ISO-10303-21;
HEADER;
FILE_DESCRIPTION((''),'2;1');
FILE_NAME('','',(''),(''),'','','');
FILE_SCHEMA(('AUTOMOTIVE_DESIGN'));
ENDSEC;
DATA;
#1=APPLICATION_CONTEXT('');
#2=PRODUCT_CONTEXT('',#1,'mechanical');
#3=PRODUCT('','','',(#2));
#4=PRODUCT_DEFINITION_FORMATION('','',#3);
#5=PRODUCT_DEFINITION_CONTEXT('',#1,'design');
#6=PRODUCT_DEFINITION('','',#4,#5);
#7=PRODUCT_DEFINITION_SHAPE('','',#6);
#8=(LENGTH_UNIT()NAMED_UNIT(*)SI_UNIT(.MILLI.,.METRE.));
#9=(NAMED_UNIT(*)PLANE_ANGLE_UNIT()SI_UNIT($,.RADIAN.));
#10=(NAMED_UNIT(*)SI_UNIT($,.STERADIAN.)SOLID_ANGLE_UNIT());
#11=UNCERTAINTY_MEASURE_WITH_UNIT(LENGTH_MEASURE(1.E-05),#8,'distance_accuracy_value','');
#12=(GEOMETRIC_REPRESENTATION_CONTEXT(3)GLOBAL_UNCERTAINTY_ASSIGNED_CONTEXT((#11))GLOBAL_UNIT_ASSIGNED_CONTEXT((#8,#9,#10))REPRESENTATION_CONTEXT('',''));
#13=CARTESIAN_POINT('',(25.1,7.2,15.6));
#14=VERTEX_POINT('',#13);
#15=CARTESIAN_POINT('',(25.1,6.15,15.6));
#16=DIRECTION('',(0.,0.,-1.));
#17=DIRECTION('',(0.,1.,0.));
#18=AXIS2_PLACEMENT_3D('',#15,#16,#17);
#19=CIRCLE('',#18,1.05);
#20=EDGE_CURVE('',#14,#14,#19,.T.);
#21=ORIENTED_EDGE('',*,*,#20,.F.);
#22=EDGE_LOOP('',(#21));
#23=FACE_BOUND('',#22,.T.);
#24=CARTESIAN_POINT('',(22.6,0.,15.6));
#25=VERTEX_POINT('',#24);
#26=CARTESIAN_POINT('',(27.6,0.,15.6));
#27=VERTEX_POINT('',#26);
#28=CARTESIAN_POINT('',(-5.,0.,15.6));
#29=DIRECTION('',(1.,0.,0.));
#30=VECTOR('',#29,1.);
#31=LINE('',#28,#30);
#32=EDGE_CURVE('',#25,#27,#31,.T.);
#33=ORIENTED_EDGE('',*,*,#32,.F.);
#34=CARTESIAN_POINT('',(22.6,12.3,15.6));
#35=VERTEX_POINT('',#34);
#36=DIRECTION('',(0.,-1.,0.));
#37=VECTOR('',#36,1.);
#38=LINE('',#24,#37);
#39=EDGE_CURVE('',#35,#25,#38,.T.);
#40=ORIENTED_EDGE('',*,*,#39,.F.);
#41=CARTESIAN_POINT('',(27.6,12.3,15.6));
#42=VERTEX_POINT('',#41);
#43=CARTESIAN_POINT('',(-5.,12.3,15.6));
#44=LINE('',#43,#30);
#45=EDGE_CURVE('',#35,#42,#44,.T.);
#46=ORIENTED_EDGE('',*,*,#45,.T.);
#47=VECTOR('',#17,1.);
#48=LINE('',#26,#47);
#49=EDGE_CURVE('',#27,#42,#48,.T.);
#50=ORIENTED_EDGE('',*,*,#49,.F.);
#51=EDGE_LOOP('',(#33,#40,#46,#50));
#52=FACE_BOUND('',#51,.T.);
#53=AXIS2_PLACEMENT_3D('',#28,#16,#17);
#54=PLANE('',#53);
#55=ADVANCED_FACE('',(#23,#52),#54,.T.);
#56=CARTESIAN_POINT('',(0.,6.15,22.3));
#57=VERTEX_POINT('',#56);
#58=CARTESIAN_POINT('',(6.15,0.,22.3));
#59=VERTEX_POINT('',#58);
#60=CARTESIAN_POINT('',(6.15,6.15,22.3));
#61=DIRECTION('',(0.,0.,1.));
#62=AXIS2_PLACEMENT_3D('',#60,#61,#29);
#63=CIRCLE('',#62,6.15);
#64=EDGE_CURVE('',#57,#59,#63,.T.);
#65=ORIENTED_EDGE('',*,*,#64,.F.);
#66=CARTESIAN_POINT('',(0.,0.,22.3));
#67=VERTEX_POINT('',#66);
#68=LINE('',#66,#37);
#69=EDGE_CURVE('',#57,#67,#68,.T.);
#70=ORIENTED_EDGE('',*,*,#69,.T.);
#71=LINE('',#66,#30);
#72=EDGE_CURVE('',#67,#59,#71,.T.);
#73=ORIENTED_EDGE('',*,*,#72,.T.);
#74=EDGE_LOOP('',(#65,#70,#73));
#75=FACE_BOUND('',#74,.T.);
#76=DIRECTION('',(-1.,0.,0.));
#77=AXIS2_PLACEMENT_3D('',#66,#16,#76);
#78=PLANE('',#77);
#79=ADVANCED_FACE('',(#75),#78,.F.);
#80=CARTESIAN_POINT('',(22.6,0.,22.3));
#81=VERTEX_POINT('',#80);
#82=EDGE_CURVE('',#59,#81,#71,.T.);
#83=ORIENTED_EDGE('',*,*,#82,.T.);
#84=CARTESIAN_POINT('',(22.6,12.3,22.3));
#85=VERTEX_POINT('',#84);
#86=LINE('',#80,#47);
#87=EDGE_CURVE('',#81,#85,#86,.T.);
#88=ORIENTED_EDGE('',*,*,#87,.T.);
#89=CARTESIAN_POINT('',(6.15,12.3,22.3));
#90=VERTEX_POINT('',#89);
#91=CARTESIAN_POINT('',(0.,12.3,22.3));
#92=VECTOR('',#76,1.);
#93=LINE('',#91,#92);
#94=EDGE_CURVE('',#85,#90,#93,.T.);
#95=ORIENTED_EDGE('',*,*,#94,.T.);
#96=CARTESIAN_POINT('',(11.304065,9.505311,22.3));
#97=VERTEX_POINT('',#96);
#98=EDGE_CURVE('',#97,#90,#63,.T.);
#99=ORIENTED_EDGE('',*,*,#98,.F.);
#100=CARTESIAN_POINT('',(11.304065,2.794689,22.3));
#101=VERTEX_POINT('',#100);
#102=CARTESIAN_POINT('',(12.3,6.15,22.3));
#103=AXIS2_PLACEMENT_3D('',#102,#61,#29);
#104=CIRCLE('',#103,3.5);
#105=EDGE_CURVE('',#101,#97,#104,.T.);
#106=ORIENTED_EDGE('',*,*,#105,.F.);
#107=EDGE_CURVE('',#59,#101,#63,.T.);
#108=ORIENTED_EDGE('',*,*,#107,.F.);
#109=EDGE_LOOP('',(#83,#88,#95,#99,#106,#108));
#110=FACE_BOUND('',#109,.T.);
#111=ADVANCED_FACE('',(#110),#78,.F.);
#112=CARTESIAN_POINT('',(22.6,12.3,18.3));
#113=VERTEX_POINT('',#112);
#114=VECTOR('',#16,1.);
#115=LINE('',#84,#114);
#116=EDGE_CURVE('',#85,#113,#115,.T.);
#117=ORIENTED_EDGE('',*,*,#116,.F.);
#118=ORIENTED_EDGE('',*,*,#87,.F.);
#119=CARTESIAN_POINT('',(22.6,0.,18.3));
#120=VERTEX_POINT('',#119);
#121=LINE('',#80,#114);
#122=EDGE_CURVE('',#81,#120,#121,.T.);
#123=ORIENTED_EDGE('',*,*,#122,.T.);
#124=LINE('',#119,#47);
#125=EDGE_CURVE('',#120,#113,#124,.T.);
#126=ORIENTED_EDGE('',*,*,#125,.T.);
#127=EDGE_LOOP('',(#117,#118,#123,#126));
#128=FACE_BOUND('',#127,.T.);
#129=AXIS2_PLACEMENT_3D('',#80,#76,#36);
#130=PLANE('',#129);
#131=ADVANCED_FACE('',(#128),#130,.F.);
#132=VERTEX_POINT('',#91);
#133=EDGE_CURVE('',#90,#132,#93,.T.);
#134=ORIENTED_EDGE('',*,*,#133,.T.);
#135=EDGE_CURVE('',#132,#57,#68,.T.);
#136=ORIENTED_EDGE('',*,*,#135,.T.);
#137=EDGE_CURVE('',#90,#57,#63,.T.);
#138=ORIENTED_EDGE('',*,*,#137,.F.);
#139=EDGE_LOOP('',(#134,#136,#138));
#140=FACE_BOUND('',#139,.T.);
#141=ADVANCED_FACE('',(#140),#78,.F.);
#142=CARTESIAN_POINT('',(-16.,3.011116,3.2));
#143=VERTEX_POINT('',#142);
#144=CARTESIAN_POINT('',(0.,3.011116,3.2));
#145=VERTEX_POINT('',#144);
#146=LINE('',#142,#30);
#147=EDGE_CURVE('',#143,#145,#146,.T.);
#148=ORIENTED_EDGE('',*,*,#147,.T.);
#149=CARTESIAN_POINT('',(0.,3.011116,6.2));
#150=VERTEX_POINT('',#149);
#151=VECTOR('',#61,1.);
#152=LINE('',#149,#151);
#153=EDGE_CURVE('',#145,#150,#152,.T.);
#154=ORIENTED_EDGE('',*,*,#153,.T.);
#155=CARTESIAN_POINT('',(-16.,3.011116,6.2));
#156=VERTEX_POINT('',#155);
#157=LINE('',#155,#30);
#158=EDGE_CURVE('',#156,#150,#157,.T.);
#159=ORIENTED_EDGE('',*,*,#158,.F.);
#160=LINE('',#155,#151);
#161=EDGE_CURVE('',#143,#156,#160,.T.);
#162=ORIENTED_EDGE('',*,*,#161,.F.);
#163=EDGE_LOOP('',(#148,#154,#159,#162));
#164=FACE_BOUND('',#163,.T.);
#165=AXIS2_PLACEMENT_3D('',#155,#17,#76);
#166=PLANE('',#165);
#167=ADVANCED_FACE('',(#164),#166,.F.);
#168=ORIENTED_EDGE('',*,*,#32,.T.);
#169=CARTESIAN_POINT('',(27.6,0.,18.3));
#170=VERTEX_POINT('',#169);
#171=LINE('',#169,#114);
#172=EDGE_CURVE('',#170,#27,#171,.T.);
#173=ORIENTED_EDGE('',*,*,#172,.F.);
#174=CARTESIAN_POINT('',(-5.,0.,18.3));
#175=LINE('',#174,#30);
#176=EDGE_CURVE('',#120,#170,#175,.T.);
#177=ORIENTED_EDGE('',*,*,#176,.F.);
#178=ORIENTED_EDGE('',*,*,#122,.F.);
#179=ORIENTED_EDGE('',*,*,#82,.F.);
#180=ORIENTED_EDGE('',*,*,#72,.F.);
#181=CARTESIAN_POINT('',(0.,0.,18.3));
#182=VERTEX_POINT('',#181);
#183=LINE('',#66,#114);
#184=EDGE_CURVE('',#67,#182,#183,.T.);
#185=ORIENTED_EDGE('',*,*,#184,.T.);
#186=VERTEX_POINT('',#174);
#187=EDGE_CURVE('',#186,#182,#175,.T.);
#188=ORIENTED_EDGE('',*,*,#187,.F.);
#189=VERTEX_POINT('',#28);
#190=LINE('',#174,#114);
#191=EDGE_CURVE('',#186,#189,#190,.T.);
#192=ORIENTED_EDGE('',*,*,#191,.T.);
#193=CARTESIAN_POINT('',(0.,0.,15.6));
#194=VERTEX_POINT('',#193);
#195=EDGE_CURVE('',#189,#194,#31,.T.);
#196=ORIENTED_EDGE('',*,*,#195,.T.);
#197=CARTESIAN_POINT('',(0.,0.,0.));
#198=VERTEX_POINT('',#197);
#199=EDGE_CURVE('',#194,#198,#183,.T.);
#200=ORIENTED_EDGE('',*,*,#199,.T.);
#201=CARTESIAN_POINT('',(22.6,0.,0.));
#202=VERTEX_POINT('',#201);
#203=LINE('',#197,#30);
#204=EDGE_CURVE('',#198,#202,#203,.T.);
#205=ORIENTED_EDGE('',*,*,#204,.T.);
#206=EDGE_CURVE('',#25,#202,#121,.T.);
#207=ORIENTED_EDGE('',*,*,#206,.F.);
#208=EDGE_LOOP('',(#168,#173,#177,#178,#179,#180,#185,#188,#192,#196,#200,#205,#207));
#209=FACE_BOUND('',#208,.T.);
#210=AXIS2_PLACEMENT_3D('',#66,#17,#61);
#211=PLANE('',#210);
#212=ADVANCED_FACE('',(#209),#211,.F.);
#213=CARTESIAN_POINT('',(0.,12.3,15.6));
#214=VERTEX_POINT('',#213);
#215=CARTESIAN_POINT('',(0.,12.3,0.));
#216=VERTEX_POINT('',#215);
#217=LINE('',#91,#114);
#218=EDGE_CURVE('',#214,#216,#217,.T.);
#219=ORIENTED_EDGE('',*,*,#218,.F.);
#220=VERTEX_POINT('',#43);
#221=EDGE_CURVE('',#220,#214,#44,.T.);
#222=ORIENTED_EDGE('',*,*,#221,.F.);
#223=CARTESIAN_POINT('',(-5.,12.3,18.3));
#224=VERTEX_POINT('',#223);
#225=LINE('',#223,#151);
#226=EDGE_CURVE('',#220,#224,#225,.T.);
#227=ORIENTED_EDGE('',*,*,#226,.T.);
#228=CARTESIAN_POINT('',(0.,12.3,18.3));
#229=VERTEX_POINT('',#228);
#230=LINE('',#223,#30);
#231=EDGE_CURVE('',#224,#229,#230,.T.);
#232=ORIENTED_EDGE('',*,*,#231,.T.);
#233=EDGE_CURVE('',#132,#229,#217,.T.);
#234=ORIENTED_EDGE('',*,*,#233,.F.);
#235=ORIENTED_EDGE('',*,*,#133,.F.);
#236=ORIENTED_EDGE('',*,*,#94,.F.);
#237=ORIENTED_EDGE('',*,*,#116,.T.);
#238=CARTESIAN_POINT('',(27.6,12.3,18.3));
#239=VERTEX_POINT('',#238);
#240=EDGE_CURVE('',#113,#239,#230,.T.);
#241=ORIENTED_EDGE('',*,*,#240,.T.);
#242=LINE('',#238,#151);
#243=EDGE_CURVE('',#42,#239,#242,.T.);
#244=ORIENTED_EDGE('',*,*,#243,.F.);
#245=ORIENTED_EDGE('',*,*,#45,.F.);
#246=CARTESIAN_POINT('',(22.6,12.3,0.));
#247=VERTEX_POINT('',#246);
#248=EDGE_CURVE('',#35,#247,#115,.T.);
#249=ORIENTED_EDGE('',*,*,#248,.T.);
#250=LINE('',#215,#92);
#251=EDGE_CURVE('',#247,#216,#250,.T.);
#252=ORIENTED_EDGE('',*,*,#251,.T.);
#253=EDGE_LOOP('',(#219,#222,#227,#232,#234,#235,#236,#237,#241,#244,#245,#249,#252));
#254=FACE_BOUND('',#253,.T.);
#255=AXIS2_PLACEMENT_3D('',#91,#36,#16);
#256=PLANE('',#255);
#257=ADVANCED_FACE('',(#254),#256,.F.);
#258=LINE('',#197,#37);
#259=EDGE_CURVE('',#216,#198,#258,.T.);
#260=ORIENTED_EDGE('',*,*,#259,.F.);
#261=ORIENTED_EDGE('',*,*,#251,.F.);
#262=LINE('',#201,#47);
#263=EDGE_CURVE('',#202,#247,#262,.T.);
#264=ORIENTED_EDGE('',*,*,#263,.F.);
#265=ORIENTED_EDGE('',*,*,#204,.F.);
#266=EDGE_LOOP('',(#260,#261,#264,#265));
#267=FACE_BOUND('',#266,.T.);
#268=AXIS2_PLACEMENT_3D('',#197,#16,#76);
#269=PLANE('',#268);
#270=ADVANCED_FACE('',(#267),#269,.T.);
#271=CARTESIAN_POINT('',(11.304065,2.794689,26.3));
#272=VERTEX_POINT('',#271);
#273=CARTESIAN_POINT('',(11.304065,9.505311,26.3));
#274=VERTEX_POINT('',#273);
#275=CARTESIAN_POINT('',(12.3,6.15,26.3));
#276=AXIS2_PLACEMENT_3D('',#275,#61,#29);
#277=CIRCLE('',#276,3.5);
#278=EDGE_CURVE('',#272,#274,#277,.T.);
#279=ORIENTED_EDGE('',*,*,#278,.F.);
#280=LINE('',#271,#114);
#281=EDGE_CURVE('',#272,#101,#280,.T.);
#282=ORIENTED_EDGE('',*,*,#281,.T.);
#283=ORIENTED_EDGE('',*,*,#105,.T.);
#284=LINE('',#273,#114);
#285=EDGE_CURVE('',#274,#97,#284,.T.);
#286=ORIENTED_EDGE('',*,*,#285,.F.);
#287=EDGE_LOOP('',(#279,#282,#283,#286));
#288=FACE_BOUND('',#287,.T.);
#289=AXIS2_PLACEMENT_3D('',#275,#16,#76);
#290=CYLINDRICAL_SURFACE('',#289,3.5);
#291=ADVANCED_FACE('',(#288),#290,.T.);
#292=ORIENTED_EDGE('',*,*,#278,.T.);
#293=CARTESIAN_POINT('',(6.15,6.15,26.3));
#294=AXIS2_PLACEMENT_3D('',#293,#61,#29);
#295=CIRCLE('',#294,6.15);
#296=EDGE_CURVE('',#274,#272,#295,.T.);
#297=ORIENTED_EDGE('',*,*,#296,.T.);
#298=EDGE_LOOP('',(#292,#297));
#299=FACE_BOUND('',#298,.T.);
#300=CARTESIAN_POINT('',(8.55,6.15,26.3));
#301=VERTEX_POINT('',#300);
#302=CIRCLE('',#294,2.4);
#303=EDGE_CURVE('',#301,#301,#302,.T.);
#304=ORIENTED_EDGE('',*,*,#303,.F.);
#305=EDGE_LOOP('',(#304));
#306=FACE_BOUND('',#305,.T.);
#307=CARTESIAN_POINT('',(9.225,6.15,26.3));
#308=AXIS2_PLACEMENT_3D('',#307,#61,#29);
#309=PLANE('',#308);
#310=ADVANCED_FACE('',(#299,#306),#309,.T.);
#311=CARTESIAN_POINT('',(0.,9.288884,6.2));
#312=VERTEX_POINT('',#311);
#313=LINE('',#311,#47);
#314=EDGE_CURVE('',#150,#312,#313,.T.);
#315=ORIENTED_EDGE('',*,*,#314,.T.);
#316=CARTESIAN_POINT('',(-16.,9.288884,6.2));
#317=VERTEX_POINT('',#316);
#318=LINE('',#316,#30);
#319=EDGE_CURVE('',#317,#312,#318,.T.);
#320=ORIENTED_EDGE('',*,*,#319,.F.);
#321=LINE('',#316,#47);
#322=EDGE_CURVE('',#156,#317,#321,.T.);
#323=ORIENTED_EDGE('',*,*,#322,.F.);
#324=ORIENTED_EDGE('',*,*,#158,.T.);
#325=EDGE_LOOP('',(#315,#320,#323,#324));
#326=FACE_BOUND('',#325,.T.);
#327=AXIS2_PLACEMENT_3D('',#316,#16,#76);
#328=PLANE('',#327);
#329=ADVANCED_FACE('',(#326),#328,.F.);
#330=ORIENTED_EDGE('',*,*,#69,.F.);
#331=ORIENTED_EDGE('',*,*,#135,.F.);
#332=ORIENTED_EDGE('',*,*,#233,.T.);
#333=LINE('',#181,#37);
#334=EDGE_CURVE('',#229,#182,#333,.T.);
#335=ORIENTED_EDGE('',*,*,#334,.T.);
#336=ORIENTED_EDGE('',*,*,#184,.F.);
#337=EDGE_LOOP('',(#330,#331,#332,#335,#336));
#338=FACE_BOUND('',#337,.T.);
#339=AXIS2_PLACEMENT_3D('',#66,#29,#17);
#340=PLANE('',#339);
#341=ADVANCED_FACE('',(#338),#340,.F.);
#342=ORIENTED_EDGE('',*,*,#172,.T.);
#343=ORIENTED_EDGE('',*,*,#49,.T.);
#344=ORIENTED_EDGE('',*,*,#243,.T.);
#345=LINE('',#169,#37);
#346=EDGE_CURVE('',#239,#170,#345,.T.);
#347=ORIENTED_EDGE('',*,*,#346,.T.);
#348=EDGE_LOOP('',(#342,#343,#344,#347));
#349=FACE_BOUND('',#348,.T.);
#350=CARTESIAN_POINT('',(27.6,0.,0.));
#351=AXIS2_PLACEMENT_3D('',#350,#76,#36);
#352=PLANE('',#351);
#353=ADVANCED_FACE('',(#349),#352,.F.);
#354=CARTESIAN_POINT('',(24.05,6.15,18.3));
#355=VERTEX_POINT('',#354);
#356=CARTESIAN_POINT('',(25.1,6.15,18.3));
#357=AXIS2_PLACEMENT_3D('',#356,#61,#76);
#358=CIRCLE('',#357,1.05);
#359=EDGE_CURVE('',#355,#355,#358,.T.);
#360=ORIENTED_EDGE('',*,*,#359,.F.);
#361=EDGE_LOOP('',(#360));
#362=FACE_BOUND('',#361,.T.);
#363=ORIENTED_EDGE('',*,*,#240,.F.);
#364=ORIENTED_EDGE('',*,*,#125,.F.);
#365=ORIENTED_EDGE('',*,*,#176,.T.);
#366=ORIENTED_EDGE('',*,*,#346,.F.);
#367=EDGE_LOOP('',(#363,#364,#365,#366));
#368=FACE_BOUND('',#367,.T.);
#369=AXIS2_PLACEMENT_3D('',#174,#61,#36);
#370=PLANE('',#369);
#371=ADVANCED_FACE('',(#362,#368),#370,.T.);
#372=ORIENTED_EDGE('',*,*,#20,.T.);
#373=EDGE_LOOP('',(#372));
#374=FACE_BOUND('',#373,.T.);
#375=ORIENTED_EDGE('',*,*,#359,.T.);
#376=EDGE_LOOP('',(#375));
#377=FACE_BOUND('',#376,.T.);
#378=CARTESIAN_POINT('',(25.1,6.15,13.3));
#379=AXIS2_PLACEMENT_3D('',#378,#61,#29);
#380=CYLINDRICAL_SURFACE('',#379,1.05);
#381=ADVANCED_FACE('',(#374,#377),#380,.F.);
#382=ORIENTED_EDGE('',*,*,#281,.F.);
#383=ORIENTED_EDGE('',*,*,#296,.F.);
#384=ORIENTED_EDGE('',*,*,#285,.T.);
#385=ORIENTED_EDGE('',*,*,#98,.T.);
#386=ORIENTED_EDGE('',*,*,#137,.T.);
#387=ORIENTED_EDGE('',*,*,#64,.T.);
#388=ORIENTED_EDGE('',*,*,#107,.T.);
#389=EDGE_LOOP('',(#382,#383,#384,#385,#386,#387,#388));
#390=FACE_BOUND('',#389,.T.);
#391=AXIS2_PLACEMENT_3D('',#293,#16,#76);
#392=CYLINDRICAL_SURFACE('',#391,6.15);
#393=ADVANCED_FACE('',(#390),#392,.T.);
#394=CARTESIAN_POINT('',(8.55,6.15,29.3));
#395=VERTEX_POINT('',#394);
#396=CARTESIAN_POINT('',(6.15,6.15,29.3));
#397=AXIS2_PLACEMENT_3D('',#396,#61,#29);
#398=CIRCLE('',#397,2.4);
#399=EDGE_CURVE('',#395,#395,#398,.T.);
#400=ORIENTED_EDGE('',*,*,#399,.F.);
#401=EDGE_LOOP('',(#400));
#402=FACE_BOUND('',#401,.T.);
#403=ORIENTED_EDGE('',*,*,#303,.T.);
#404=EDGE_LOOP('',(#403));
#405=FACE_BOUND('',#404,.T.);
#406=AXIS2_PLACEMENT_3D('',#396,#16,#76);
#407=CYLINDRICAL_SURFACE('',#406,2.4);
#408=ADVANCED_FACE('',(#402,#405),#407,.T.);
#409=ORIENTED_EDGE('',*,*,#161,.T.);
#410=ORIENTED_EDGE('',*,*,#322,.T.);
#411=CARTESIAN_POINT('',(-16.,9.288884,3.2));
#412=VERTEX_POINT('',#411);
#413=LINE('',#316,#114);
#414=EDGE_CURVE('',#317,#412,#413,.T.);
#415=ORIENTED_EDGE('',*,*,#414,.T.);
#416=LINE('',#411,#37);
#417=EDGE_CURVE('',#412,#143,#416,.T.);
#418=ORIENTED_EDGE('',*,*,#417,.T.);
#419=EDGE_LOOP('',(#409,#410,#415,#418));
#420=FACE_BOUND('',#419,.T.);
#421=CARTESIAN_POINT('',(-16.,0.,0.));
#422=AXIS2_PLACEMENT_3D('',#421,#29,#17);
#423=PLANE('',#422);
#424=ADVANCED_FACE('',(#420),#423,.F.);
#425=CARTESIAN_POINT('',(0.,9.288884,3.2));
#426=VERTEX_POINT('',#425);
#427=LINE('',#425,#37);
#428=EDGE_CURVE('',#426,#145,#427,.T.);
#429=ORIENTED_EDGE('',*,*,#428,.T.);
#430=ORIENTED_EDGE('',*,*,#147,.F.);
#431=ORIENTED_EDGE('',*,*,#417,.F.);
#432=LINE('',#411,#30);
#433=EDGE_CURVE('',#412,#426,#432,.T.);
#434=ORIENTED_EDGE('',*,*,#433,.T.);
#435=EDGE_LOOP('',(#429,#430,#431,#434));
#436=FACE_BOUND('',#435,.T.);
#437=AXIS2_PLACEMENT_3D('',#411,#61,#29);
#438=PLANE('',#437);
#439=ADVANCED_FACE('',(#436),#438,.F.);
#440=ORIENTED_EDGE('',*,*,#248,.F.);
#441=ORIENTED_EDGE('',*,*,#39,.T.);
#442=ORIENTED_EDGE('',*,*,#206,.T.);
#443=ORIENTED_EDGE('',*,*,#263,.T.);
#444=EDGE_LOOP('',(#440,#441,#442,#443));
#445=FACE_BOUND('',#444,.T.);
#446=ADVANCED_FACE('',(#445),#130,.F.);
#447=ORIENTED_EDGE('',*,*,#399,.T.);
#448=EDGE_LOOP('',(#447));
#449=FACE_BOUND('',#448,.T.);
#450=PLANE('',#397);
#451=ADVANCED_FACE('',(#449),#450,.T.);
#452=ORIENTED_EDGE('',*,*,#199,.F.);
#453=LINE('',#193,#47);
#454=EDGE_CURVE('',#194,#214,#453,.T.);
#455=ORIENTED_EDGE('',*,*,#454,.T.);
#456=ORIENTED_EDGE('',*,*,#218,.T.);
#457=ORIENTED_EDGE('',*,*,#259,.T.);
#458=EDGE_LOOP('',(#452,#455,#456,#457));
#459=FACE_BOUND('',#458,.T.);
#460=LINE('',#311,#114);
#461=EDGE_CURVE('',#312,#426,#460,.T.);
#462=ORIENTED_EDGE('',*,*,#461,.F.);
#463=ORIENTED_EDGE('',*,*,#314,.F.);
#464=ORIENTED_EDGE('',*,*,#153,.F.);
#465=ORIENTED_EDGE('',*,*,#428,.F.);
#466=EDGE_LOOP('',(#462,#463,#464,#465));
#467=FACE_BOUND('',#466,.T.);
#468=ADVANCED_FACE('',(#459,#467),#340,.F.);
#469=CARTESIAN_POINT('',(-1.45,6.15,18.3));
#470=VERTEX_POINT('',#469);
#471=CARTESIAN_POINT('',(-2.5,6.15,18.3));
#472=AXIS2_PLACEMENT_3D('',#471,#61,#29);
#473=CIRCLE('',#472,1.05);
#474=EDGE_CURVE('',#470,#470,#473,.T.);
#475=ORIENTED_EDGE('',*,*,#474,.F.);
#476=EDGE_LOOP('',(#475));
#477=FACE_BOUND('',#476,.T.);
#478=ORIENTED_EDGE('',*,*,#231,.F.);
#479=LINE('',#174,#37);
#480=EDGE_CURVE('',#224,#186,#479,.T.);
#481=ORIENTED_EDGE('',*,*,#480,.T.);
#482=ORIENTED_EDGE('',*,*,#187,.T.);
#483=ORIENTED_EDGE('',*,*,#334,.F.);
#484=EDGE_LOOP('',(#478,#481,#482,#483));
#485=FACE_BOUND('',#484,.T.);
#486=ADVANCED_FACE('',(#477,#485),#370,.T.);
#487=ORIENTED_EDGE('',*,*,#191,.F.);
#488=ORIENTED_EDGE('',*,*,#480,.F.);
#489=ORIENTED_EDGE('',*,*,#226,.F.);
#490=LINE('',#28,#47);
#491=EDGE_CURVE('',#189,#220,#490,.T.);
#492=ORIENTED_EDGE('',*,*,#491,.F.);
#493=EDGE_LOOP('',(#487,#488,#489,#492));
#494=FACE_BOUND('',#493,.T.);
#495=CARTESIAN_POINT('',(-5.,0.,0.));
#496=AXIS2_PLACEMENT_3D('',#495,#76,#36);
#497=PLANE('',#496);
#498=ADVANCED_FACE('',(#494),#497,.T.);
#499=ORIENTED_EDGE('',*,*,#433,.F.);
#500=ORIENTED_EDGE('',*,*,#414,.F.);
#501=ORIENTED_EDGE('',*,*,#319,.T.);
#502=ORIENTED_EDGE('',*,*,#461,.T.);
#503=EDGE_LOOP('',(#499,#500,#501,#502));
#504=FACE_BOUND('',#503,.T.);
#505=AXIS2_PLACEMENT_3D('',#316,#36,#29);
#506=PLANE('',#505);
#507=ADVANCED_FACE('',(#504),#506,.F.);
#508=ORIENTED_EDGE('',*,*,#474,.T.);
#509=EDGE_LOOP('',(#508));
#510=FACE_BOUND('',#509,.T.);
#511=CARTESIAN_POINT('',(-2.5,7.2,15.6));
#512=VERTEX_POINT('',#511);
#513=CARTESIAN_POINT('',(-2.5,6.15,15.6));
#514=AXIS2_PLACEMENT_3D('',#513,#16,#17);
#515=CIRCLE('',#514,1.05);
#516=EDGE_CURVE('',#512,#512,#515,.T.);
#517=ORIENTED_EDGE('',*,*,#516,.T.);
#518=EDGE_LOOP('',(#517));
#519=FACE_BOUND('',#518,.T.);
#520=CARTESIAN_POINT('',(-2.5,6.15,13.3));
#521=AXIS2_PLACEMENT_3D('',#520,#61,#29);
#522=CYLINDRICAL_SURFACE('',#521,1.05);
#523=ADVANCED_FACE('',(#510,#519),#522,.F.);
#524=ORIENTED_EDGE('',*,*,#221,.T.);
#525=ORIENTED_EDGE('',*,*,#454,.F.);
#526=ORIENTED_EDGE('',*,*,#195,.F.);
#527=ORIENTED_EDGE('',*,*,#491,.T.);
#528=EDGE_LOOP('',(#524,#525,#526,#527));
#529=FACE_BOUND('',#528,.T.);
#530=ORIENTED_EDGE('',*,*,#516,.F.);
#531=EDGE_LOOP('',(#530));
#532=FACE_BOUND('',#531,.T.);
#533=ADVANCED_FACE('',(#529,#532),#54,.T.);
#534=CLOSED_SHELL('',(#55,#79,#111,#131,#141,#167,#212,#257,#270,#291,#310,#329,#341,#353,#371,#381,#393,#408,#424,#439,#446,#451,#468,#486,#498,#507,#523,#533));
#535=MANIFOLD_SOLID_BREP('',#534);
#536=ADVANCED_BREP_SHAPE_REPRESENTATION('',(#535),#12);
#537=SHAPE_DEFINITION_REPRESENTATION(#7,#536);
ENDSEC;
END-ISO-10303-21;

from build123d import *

# Parameters (mm, degrees)
ESQUISSE1_W             = 22.6
ESQUISSE1_H             = 12.3
BOSS_EXTRU_1_DEPTH      = 22.3
BOSS_EXTRU_2_DEPTH      = 5
BOSS_EXTRU_2_DEPTH_BACK = 27.6
ESQUISSE2_W             = 2.7
ESQUISSE2_H             = 12.3
ESQUISSE3_R             = 1.05
ENL_V_MAT_EXTRU_1_DEPTH = 5
BOSS_EXTRU_3_DEPTH      = 4
ESQUISSE5_R             = 2.4
BOSS_EXTRU_4_DEPTH      = 3
ESQUISSE6_W             = 3
ESQUISSE6_H             = 6.277768914
BOSS_EXTRU_5_DEPTH      = 16


with BuildPart() as part:
    # Esquisse1 → Boss.-Extru.1 (new body)
    with BuildSketch(Plane.XY):
        with Locations((11.3, 6.15)):
            Rectangle(ESQUISSE1_W, ESQUISSE1_H)
    extrude(amount=BOSS_EXTRU_1_DEPTH)

    # Esquisse2 → Boss.-Extru.2 (add, two sides: drawn at the far end of the back side and taken through both)
    with BuildSketch(Plane(origin=(22.6, 0, 0), x_dir=(0, 0, -1), z_dir=(1, 0, 0)).offset(-BOSS_EXTRU_2_DEPTH_BACK)):
        with Locations((-16.95, 6.15)):
            Rectangle(ESQUISSE2_W, ESQUISSE2_H)
    extrude(amount=BOSS_EXTRU_2_DEPTH + BOSS_EXTRU_2_DEPTH_BACK)

    # Esquisse3 → Enlèv. mat.-Extru.1 (cut)
    with BuildSketch(Plane.XY.offset(18.3)):
        with Locations((-2.5, 6.15)):
            Circle(ESQUISSE3_R)
        with Locations(Location((25.1, 6.15, 0), (0, 0, 90))):
            Circle(ESQUISSE3_R)
    extrude(amount=-ENL_V_MAT_EXTRU_1_DEPTH, mode=Mode.SUBTRACT)

    # Esquisse4 → Boss.-Extru.3 (add)
    with BuildSketch(Plane.XY.offset(22.3)):
        with BuildLine():
            ThreePointArc((11.304065041, 9.505311246), (0, 6.15), (11.304065041, 2.794688754))
            ThreePointArc((11.304065041, 2.794688754), (15.8, 6.15), (11.304065041, 9.505311246))
        make_face()
    extrude(amount=BOSS_EXTRU_3_DEPTH)

    # Esquisse5 → Boss.-Extru.4 (add)
    with BuildSketch(Plane.XY.offset(26.3)):
        with Locations((6.15, 6.15)):
            Circle(ESQUISSE5_R)
    extrude(amount=BOSS_EXTRU_4_DEPTH)

    # Esquisse6 → Boss.-Extru.5 (add)
    with BuildSketch(Plane.ZY):
        with Locations((4.7, 6.15)):
            Rectangle(ESQUISSE6_W, ESQUISSE6_H)
    extrude(amount=BOSS_EXTRU_5_DEPTH)


solid = part.part
